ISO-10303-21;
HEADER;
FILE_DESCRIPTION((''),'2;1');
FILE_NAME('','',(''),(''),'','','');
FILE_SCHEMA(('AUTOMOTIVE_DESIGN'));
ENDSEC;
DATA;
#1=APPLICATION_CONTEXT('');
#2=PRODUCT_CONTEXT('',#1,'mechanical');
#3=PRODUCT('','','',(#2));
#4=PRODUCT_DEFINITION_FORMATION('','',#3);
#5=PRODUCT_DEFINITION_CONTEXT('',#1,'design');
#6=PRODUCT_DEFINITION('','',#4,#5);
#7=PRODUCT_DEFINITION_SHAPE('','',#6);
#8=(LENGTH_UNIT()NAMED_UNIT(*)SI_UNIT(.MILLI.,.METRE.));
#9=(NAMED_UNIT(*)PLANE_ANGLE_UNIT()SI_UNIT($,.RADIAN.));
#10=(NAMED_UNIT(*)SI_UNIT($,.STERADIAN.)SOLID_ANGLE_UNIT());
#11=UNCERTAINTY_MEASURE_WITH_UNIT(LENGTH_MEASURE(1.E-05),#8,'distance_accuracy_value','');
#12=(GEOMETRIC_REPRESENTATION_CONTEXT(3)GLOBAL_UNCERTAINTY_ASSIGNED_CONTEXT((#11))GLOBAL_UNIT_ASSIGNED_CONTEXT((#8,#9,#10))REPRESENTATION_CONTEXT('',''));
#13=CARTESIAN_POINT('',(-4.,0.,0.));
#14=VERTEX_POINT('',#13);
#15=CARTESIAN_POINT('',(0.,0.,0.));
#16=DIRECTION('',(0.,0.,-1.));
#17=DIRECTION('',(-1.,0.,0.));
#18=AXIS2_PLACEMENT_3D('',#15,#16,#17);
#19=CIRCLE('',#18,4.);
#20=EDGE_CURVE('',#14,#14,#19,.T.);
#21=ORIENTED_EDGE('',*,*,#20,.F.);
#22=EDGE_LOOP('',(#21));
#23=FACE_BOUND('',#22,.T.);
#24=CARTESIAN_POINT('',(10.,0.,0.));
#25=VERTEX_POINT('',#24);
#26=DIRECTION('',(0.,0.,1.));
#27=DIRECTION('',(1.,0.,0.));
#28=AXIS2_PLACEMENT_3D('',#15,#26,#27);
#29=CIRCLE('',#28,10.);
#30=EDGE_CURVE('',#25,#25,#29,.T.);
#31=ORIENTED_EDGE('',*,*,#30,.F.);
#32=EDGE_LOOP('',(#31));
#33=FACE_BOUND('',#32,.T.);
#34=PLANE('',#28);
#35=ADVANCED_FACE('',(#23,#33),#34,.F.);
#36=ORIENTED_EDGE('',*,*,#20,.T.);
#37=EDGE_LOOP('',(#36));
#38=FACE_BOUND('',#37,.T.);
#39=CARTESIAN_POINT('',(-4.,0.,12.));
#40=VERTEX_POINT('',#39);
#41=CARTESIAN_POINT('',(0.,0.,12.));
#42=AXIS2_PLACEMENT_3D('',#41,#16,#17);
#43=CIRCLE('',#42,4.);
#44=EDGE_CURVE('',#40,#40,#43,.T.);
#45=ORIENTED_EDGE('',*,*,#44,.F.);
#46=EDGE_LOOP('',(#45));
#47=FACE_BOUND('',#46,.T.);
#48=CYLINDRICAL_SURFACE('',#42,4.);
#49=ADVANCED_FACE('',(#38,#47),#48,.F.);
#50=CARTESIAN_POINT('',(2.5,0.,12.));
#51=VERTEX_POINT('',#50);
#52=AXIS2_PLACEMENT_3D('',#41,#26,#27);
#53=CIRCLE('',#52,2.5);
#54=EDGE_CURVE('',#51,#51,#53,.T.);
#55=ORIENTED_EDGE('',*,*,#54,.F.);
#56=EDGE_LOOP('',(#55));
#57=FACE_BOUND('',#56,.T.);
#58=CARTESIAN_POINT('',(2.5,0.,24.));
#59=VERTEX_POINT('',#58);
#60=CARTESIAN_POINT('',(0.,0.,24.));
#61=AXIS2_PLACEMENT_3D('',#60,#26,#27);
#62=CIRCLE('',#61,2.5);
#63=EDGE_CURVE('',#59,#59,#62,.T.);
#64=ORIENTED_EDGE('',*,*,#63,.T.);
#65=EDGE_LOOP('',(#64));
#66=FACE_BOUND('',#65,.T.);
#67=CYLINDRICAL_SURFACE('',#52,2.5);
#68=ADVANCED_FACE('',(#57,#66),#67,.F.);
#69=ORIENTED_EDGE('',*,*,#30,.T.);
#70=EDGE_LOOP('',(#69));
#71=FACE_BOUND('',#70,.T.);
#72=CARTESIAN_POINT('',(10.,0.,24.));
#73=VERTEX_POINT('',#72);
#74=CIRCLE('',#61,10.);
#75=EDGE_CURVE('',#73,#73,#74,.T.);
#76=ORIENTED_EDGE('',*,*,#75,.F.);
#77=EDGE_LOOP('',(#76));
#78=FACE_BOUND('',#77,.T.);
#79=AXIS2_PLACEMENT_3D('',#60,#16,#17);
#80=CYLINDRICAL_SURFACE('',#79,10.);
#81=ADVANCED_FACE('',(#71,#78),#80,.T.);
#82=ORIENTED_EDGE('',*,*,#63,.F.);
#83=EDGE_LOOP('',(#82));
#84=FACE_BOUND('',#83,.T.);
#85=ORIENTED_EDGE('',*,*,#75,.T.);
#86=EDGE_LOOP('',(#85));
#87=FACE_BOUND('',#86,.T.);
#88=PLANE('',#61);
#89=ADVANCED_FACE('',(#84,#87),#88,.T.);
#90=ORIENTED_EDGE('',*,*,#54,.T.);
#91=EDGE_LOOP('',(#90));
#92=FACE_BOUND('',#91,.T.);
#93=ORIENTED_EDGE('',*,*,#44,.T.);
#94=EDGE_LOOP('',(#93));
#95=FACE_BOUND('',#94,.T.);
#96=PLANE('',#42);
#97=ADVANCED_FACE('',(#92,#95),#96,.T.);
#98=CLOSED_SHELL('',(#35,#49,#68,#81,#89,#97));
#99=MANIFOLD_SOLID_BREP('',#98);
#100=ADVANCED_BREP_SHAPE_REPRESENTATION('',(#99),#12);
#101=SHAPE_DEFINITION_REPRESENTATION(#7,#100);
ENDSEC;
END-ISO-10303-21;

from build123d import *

# Parameters (mm, degrees)
SKETCH_1_R          = 10
EXTRUDE_1_DEPTH     = 24
SKETCH_2_R          = 2.5
CUT_EXTRUDE_1_DEPTH = 12
SKETCH_3_R          = 4
CUT_EXTRUDE_2_DEPTH = 12


with BuildPart() as part:
    # 草图1 → 凸台-拉伸1 (new body)
    with BuildSketch(Plane.XY):
        Circle(SKETCH_1_R)
    extrude(amount=EXTRUDE_1_DEPTH)

    # 草图2 → 切除-拉伸1 (cut)
    with BuildSketch(Plane.XY.offset(24)):
        Circle(SKETCH_2_R)
    extrude(amount=-CUT_EXTRUDE_1_DEPTH, mode=Mode.SUBTRACT)

    # 草图3 → 切除-拉伸2 (cut)
    with BuildSketch(Plane(origin=(0, 0, 0), x_dir=(-1, 0, 0), z_dir=(0, 0, -1))):
        Circle(SKETCH_3_R)
    extrude(amount=-CUT_EXTRUDE_2_DEPTH, mode=Mode.SUBTRACT)


solid = part.part
